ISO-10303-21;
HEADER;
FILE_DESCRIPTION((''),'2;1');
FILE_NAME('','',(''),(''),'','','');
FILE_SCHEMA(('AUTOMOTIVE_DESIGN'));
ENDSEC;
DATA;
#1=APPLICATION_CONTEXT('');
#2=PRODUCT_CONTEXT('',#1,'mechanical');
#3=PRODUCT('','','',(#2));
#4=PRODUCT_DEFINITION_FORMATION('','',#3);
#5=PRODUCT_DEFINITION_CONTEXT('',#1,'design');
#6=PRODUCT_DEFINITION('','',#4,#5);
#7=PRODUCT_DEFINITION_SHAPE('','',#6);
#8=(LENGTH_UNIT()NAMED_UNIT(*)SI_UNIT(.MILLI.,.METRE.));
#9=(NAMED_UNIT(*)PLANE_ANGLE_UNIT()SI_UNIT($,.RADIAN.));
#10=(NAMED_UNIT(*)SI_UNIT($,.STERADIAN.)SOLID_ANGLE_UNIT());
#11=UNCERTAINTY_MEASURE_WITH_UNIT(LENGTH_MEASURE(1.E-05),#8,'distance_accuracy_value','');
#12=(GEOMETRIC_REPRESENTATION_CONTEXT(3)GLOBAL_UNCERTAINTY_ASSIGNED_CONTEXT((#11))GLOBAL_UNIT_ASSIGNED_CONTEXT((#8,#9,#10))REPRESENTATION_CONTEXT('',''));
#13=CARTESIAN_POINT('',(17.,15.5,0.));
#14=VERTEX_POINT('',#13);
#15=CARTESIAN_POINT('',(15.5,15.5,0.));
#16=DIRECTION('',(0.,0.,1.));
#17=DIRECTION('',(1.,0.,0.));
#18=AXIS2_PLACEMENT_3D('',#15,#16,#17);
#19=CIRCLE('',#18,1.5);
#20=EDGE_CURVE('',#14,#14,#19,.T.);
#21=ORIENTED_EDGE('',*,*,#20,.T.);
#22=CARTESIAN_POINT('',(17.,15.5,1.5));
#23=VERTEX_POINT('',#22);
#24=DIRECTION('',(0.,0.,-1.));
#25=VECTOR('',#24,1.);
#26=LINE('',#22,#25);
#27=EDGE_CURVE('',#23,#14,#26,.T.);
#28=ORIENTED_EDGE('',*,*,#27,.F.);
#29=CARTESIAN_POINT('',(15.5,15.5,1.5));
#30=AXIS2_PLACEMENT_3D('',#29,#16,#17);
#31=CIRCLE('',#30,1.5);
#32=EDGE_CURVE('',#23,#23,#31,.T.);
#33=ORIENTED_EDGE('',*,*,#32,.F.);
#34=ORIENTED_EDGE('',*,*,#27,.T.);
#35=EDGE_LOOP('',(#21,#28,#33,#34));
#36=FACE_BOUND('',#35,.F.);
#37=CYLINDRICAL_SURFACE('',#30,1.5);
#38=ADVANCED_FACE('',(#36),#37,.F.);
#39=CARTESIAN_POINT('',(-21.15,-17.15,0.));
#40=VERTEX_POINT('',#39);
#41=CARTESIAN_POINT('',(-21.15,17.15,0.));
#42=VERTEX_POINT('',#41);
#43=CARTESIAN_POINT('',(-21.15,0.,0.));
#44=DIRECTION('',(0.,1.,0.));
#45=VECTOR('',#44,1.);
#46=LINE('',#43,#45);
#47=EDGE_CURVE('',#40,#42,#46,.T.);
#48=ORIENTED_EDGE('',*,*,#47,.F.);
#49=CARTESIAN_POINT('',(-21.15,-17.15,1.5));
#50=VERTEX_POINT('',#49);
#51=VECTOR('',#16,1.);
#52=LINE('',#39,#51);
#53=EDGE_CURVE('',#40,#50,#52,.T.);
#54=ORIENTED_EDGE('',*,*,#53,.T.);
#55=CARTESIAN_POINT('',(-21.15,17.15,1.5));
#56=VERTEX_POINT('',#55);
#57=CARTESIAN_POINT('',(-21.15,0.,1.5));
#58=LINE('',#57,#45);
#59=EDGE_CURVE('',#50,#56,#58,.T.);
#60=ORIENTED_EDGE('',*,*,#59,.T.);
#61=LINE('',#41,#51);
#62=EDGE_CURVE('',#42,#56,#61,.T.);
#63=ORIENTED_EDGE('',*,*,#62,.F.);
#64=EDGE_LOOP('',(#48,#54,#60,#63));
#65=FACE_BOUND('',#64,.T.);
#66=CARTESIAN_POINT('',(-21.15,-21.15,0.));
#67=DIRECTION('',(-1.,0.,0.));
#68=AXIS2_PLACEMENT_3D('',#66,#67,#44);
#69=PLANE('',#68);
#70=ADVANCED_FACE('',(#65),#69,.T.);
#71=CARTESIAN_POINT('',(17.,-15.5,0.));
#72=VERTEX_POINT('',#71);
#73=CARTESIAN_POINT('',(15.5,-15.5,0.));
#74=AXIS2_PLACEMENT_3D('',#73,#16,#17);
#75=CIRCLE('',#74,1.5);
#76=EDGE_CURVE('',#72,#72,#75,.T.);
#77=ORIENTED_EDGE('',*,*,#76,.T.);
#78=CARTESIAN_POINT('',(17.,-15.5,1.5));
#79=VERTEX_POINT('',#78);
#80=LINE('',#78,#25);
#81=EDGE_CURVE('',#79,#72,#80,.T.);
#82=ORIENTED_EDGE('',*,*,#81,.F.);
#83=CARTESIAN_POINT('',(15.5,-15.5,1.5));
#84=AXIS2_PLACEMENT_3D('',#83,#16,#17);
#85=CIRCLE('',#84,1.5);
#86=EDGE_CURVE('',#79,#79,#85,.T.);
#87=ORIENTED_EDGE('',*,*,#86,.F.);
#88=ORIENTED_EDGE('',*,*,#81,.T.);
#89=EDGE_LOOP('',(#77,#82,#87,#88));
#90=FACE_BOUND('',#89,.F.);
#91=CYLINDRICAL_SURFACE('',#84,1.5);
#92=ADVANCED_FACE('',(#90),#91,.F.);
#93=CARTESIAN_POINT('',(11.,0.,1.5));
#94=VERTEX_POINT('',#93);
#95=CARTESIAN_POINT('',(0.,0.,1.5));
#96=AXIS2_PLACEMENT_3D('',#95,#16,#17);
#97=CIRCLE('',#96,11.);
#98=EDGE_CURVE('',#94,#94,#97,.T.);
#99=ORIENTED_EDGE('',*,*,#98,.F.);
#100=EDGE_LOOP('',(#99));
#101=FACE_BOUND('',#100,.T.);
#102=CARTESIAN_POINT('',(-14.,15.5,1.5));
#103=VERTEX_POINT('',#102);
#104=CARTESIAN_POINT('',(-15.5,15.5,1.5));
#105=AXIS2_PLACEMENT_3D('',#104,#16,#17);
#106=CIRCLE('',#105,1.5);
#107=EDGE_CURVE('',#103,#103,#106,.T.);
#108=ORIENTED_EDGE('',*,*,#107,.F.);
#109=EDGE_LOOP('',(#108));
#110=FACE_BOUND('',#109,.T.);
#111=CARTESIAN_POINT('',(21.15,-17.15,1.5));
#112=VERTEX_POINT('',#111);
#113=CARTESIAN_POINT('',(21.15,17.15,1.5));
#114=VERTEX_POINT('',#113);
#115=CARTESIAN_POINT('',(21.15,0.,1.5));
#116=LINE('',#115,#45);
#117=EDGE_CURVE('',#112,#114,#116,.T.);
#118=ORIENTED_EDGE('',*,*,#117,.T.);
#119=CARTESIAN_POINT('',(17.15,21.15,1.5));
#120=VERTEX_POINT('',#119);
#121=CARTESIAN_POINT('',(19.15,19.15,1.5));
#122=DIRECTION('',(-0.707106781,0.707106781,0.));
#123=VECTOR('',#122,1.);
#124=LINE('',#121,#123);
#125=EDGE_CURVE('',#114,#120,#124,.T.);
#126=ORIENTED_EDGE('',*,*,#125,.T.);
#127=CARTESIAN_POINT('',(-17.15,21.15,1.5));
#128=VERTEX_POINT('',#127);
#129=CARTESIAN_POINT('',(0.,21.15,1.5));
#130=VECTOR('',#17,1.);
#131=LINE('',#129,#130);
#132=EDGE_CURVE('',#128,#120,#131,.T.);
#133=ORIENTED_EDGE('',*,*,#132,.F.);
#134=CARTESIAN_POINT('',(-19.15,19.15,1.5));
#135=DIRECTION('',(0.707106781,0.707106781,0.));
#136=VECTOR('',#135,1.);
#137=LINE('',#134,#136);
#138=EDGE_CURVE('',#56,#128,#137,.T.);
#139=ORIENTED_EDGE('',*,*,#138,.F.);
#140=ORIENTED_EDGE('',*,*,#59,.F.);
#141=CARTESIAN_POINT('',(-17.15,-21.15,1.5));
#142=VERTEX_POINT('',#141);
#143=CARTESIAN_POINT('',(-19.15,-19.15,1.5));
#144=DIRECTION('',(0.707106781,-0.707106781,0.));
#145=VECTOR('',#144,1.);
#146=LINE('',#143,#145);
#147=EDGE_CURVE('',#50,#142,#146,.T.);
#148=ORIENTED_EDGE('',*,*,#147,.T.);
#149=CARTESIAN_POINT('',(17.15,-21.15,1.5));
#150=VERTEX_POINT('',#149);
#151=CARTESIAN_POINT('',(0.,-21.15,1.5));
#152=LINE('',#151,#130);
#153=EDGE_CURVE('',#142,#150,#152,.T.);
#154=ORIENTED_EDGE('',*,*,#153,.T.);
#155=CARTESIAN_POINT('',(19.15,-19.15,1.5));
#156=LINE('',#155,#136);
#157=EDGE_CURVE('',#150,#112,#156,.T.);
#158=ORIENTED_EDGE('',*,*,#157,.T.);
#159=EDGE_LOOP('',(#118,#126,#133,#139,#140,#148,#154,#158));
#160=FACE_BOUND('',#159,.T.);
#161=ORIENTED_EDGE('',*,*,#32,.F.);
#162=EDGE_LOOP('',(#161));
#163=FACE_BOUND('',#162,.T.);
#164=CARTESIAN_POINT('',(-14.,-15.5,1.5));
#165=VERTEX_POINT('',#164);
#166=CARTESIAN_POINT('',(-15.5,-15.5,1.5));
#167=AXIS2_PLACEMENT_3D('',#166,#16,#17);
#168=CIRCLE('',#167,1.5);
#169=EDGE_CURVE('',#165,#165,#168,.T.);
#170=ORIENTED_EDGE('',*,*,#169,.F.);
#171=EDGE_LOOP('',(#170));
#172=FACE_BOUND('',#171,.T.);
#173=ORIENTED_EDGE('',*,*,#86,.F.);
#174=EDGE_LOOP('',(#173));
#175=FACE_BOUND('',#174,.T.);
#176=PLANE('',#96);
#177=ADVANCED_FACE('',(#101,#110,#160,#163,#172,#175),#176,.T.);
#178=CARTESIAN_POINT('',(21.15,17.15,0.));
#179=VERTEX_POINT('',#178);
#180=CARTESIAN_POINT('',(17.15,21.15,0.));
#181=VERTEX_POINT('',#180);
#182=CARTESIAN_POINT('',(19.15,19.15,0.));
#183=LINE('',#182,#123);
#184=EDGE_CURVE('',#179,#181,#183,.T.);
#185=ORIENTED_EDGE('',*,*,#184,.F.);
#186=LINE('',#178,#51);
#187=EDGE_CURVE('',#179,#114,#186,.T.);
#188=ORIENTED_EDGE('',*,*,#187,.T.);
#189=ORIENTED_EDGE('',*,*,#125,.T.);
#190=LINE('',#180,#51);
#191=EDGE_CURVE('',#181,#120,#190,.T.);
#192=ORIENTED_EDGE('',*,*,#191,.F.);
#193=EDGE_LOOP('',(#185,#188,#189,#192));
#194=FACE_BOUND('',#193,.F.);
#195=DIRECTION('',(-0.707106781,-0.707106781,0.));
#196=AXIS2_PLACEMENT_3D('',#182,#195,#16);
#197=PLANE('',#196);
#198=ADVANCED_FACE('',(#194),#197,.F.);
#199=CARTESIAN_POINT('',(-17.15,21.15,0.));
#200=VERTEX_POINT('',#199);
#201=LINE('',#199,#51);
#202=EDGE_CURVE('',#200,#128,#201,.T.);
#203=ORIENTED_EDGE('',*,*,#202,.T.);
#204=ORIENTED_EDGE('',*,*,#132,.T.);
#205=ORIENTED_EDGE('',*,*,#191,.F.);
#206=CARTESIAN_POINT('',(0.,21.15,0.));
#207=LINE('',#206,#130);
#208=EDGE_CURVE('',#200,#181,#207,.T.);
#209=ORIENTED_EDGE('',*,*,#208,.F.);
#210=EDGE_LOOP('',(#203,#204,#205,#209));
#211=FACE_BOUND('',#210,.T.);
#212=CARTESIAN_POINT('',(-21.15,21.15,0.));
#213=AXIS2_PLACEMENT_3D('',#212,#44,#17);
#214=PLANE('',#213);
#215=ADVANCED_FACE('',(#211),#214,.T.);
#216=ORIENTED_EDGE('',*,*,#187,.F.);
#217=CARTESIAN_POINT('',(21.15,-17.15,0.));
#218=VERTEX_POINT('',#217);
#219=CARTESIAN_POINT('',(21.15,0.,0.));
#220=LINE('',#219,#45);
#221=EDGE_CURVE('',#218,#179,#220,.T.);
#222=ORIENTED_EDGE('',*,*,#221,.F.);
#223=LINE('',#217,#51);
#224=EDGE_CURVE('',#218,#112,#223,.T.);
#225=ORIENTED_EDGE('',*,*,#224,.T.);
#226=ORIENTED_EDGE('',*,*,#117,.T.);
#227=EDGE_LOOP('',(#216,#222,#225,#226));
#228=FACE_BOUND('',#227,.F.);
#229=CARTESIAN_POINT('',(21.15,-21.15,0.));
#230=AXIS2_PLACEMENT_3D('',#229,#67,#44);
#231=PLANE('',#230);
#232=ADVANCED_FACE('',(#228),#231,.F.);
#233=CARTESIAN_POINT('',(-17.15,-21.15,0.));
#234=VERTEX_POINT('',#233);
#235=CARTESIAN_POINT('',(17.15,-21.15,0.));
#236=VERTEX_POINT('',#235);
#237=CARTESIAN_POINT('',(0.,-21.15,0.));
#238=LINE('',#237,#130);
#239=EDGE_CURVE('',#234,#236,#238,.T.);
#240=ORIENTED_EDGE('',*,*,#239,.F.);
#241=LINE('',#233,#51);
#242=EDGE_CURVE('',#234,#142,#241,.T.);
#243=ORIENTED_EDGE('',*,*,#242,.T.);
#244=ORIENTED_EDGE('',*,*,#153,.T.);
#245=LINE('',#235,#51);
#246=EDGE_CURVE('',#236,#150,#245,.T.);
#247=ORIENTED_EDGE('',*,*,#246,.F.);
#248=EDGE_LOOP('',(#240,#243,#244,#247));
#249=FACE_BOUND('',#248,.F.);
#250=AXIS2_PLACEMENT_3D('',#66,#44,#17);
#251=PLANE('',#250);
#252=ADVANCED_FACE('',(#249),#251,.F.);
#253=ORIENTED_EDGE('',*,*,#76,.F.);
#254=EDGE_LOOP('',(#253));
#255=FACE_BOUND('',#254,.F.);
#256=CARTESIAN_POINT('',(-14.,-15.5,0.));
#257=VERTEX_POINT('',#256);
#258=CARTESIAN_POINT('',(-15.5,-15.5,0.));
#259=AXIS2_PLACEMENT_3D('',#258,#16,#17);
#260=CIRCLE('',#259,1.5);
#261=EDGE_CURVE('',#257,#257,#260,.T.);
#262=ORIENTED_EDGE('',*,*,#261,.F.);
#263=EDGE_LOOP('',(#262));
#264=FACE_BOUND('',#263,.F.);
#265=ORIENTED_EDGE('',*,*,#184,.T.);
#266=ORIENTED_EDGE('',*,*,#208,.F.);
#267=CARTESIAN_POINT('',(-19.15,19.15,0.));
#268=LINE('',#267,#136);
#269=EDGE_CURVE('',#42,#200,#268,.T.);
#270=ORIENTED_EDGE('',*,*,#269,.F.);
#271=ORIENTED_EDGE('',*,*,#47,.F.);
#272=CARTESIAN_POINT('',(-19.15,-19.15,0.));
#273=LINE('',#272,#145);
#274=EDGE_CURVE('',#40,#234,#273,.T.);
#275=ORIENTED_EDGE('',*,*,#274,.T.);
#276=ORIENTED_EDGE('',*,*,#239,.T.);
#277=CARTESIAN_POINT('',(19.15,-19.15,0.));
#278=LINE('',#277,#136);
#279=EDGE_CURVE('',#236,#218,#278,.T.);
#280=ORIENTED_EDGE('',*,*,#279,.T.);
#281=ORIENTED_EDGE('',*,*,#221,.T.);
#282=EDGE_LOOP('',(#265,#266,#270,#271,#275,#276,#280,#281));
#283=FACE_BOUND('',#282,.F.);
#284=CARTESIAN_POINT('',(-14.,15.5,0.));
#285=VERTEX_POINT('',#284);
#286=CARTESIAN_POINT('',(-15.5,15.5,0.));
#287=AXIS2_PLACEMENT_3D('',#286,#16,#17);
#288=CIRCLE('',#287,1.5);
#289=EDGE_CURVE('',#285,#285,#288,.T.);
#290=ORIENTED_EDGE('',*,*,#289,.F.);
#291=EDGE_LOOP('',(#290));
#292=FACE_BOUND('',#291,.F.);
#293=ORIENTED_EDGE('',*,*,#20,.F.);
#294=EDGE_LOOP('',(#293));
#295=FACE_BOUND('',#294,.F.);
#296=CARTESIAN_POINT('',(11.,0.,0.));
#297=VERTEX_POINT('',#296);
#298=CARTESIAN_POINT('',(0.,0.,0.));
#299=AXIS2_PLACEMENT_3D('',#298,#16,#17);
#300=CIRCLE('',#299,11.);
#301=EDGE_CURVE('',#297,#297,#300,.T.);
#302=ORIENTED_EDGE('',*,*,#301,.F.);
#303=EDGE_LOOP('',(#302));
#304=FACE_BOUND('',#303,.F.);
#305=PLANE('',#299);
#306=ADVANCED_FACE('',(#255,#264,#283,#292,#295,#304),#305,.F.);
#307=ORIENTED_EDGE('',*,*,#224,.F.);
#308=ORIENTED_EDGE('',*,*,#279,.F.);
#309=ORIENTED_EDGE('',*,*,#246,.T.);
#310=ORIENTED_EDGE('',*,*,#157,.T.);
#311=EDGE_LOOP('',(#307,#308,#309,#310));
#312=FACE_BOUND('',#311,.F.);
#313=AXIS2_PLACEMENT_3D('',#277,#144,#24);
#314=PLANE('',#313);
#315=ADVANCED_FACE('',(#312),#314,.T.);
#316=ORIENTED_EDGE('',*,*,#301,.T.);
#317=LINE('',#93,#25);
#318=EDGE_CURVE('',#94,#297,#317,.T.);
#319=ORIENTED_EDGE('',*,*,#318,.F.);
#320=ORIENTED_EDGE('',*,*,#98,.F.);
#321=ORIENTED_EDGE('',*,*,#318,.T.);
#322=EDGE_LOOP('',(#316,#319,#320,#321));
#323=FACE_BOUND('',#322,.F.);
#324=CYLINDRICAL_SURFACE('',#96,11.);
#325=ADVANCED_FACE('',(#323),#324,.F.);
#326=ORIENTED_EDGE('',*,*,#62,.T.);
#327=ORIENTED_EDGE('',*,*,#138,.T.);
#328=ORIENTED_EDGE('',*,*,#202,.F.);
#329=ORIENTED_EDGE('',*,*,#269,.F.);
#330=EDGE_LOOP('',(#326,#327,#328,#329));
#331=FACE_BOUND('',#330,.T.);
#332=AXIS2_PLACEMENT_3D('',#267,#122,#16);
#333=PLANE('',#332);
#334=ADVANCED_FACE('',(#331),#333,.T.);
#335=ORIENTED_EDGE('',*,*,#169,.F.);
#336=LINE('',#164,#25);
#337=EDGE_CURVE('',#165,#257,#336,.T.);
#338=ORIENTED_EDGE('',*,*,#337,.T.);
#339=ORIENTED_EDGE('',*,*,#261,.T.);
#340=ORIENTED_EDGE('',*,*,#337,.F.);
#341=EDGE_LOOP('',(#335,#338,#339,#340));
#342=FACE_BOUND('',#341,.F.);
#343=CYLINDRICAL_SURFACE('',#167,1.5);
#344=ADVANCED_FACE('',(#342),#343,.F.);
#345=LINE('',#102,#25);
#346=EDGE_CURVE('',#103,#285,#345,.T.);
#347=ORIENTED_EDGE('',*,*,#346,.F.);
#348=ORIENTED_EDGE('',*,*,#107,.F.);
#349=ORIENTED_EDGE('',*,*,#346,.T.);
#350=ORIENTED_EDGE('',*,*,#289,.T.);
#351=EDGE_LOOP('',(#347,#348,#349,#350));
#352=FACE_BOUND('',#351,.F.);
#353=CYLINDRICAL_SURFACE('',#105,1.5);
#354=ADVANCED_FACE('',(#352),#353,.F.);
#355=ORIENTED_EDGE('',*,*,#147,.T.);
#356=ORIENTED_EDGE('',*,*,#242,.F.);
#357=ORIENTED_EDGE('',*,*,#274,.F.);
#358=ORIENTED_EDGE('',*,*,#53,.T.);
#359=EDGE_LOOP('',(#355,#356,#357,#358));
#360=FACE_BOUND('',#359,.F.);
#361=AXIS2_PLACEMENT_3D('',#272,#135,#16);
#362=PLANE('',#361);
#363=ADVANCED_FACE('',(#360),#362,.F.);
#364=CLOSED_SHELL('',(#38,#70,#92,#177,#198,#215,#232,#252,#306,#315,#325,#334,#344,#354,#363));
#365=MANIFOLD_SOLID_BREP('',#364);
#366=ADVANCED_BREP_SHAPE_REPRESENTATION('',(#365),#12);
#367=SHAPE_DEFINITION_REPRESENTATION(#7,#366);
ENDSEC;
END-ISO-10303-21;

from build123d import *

# Parameters (mm, degrees)
SKETCH_W      = 42.3
SKETCH_H      = 42.3
PAD_DEPTH     = 1.5
CHAMFER_SIZE  = 4
SKETCH001_R   = 11
SKETCH001_R_2 = 1.5
POCKET_DEPTH  = 5


with BuildPart() as part:
    # Sketch → Pad (new body)
    with BuildSketch(Plane.XY):
        Rectangle(SKETCH_W, SKETCH_H)
    extrude(amount=PAD_DEPTH)

    # Chamfer
    chamfer_edges = [part.edges().sort_by_distance(p)[0] for p in [
        (21.15, -21.15, 0.75),
        (21.15, 21.15, 0.75),
        (-21.15, -21.15, 0.75),
        (-21.15, 21.15, 0.75),
    ]]
    chamfer(chamfer_edges, length=CHAMFER_SIZE)

    # Sketch001 → Pocket (cut)
    with BuildSketch(Plane.XY.offset(1.5)):
        Circle(SKETCH001_R)
        with Locations((-15.5, 15.5)):
            Circle(SKETCH001_R_2)
        with Locations((15.5, 15.5)):
            Circle(SKETCH001_R_2)
        with Locations((-15.5, -15.5)):
            Circle(SKETCH001_R_2)
        with Locations((15.5, -15.5)):
            Circle(SKETCH001_R_2)
    extrude(amount=-POCKET_DEPTH, mode=Mode.SUBTRACT)


solid = part.part
